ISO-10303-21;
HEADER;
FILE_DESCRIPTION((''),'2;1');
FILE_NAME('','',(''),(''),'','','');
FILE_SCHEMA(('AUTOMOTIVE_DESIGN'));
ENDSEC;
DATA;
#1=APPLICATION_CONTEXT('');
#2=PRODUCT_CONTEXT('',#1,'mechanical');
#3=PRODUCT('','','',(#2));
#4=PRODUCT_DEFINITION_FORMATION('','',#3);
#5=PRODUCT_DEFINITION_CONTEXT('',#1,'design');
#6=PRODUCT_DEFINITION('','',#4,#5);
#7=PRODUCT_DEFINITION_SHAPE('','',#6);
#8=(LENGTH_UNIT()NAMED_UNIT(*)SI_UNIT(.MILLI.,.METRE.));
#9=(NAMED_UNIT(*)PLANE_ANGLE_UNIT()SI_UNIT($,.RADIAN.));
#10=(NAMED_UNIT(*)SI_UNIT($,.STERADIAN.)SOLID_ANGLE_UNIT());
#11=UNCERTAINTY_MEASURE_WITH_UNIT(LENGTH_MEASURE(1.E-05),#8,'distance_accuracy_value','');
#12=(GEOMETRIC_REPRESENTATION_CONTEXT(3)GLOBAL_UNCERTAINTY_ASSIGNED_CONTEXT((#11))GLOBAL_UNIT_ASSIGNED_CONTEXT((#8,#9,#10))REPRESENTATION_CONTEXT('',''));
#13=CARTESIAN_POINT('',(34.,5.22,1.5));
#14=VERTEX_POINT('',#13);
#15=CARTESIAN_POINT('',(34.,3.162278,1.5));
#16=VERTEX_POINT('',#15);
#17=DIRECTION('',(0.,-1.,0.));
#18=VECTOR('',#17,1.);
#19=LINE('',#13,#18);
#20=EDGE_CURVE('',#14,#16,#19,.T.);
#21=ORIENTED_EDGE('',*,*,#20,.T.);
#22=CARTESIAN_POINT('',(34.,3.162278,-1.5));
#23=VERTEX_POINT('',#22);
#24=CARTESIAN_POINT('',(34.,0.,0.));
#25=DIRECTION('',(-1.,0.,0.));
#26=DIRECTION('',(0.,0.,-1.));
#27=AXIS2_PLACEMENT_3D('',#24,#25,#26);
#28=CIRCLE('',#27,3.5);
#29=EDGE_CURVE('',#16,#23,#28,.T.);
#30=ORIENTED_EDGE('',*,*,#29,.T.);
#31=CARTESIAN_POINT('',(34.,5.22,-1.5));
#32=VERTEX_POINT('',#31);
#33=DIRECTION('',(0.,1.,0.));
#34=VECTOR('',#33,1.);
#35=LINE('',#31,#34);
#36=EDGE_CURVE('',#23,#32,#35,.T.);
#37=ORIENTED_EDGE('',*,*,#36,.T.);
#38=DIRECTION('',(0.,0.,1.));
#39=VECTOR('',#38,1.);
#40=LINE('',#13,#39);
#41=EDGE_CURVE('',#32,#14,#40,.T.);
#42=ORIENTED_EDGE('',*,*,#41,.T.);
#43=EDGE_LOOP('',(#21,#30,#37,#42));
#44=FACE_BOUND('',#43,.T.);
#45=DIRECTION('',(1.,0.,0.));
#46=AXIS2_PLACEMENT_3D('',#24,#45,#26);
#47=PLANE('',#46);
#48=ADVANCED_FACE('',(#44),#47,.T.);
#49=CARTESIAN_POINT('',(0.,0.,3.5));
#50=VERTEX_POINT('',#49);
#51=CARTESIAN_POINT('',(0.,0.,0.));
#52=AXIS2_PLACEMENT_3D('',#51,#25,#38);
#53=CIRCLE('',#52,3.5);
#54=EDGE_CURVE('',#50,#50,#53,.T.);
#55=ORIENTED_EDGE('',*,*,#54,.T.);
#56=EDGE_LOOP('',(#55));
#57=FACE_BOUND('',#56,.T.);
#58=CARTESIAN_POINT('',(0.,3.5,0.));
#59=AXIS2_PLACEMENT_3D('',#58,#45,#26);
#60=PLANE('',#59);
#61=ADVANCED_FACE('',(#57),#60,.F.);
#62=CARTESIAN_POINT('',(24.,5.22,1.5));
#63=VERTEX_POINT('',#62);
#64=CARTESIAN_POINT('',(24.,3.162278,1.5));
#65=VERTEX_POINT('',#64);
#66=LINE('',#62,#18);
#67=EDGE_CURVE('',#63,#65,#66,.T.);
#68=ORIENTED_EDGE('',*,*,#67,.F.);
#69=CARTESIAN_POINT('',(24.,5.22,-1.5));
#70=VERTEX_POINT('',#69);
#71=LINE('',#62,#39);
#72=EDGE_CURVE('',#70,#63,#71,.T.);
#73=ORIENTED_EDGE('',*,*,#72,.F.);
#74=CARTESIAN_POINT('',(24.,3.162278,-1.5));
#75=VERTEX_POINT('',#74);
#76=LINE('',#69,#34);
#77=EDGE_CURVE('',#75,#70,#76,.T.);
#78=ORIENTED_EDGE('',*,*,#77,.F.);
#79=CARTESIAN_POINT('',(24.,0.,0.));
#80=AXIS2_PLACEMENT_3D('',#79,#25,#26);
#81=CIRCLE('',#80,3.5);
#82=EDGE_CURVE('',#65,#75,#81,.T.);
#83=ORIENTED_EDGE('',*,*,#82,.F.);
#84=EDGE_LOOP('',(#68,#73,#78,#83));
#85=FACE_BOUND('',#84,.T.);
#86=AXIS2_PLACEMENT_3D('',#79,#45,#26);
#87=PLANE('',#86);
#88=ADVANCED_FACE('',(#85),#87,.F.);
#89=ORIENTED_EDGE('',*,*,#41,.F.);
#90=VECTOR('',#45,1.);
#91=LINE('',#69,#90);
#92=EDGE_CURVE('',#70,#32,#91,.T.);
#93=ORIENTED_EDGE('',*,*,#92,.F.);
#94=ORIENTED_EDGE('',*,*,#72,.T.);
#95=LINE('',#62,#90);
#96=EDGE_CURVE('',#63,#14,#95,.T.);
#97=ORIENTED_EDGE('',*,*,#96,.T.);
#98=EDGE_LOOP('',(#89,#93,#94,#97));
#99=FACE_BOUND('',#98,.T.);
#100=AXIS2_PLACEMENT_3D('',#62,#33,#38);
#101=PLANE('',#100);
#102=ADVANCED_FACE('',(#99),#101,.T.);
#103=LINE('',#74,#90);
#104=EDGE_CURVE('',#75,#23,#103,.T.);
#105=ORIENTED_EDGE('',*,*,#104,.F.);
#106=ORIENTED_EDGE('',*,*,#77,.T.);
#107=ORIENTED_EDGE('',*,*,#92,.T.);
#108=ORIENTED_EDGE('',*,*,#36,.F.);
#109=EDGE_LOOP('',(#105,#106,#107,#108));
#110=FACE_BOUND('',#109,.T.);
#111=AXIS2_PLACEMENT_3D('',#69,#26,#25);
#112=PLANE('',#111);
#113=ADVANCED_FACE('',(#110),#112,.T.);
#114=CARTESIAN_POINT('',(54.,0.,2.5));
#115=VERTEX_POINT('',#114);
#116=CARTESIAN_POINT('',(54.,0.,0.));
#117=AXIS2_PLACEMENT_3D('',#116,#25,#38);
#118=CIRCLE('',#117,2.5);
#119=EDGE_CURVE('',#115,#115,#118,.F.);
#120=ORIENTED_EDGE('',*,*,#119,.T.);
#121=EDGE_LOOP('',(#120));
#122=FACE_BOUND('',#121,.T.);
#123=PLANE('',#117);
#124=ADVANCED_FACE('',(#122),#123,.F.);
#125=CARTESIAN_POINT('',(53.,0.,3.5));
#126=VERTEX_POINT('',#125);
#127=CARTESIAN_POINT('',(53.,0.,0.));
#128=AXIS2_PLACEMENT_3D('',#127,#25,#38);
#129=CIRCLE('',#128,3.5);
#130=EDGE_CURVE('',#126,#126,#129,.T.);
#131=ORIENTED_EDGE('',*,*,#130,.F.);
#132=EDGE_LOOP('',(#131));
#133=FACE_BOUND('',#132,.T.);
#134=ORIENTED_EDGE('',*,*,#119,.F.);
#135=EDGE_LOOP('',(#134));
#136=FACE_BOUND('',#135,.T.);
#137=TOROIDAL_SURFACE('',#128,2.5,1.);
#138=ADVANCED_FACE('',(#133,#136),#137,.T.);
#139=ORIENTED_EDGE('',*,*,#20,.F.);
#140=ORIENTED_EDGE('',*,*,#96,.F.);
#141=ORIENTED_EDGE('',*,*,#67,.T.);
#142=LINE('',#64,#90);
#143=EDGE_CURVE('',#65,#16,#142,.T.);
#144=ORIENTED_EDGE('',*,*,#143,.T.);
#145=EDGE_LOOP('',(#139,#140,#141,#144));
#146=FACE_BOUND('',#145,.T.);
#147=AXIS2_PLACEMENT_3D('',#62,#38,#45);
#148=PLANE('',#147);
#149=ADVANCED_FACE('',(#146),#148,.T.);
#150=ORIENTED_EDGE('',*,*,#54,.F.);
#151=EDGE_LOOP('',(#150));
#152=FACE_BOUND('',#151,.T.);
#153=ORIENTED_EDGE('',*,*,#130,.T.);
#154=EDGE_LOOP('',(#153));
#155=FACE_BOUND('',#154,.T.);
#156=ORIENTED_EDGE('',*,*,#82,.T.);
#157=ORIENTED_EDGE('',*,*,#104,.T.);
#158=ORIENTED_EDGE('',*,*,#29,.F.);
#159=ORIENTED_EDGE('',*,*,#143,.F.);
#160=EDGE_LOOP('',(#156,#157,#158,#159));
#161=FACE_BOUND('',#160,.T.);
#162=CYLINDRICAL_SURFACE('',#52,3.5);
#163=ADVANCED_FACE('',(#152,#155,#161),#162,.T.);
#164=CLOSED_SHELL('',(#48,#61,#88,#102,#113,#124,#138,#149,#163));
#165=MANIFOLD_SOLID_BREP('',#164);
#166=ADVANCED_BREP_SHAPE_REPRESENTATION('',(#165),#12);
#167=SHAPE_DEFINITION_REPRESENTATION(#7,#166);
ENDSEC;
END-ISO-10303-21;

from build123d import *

# Parameters (mm, degrees)
IZIM1_W                     = 54
IZIM1_H                     = 3.5
Y_KSEKLIK_EKSTR_ZYON1_START = -30
Y_KSEKLIK_EKSTR_ZYON1_DEPTH = 10
RADYUS1_R                   = 1


with BuildPart() as part:
    # Çizim1 → Döndür1 (revolve)
    with BuildSketch(Plane.XY, mode=Mode.PRIVATE) as d_nd_r1_sk:
        with Locations((27, 1.75)):
            Rectangle(IZIM1_W, IZIM1_H)
    revolve(d_nd_r1_sk.sketch.rotate(Axis((0, 0, 0), (1, 0, 0)), 90), axis=Axis((0, 0, 0), (1, 0, 0)))

    # Çizim2 → Yükseklik-Ekstrüzyon1 (add)
    with BuildSketch(Plane(origin=(54, 0, 0), x_dir=(0, 0, -1), z_dir=(1, 0, 0)).offset(Y_KSEKLIK_EKSTR_ZYON1_START)):
        with BuildLine():
            Line((-1.5, 5.22), (1.5, 5.22))
            Line((1.5, 5.22), (1.5, 3.16227766))
            ThreePointArc((1.5, 3.16227766), (0, 3.5), (-1.5, 3.16227766))
            Line((-1.5, 3.16227766), (-1.5, 5.22))
        make_face()
    extrude(amount=Y_KSEKLIK_EKSTR_ZYON1_DEPTH)

    # Radyus1
    radyus1_edges = [part.edges().sort_by_distance(p)[0] for p in [
        (54, 0, -3.5),
    ]]
    fillet(radyus1_edges, radius=RADYUS1_R)


solid = part.part
